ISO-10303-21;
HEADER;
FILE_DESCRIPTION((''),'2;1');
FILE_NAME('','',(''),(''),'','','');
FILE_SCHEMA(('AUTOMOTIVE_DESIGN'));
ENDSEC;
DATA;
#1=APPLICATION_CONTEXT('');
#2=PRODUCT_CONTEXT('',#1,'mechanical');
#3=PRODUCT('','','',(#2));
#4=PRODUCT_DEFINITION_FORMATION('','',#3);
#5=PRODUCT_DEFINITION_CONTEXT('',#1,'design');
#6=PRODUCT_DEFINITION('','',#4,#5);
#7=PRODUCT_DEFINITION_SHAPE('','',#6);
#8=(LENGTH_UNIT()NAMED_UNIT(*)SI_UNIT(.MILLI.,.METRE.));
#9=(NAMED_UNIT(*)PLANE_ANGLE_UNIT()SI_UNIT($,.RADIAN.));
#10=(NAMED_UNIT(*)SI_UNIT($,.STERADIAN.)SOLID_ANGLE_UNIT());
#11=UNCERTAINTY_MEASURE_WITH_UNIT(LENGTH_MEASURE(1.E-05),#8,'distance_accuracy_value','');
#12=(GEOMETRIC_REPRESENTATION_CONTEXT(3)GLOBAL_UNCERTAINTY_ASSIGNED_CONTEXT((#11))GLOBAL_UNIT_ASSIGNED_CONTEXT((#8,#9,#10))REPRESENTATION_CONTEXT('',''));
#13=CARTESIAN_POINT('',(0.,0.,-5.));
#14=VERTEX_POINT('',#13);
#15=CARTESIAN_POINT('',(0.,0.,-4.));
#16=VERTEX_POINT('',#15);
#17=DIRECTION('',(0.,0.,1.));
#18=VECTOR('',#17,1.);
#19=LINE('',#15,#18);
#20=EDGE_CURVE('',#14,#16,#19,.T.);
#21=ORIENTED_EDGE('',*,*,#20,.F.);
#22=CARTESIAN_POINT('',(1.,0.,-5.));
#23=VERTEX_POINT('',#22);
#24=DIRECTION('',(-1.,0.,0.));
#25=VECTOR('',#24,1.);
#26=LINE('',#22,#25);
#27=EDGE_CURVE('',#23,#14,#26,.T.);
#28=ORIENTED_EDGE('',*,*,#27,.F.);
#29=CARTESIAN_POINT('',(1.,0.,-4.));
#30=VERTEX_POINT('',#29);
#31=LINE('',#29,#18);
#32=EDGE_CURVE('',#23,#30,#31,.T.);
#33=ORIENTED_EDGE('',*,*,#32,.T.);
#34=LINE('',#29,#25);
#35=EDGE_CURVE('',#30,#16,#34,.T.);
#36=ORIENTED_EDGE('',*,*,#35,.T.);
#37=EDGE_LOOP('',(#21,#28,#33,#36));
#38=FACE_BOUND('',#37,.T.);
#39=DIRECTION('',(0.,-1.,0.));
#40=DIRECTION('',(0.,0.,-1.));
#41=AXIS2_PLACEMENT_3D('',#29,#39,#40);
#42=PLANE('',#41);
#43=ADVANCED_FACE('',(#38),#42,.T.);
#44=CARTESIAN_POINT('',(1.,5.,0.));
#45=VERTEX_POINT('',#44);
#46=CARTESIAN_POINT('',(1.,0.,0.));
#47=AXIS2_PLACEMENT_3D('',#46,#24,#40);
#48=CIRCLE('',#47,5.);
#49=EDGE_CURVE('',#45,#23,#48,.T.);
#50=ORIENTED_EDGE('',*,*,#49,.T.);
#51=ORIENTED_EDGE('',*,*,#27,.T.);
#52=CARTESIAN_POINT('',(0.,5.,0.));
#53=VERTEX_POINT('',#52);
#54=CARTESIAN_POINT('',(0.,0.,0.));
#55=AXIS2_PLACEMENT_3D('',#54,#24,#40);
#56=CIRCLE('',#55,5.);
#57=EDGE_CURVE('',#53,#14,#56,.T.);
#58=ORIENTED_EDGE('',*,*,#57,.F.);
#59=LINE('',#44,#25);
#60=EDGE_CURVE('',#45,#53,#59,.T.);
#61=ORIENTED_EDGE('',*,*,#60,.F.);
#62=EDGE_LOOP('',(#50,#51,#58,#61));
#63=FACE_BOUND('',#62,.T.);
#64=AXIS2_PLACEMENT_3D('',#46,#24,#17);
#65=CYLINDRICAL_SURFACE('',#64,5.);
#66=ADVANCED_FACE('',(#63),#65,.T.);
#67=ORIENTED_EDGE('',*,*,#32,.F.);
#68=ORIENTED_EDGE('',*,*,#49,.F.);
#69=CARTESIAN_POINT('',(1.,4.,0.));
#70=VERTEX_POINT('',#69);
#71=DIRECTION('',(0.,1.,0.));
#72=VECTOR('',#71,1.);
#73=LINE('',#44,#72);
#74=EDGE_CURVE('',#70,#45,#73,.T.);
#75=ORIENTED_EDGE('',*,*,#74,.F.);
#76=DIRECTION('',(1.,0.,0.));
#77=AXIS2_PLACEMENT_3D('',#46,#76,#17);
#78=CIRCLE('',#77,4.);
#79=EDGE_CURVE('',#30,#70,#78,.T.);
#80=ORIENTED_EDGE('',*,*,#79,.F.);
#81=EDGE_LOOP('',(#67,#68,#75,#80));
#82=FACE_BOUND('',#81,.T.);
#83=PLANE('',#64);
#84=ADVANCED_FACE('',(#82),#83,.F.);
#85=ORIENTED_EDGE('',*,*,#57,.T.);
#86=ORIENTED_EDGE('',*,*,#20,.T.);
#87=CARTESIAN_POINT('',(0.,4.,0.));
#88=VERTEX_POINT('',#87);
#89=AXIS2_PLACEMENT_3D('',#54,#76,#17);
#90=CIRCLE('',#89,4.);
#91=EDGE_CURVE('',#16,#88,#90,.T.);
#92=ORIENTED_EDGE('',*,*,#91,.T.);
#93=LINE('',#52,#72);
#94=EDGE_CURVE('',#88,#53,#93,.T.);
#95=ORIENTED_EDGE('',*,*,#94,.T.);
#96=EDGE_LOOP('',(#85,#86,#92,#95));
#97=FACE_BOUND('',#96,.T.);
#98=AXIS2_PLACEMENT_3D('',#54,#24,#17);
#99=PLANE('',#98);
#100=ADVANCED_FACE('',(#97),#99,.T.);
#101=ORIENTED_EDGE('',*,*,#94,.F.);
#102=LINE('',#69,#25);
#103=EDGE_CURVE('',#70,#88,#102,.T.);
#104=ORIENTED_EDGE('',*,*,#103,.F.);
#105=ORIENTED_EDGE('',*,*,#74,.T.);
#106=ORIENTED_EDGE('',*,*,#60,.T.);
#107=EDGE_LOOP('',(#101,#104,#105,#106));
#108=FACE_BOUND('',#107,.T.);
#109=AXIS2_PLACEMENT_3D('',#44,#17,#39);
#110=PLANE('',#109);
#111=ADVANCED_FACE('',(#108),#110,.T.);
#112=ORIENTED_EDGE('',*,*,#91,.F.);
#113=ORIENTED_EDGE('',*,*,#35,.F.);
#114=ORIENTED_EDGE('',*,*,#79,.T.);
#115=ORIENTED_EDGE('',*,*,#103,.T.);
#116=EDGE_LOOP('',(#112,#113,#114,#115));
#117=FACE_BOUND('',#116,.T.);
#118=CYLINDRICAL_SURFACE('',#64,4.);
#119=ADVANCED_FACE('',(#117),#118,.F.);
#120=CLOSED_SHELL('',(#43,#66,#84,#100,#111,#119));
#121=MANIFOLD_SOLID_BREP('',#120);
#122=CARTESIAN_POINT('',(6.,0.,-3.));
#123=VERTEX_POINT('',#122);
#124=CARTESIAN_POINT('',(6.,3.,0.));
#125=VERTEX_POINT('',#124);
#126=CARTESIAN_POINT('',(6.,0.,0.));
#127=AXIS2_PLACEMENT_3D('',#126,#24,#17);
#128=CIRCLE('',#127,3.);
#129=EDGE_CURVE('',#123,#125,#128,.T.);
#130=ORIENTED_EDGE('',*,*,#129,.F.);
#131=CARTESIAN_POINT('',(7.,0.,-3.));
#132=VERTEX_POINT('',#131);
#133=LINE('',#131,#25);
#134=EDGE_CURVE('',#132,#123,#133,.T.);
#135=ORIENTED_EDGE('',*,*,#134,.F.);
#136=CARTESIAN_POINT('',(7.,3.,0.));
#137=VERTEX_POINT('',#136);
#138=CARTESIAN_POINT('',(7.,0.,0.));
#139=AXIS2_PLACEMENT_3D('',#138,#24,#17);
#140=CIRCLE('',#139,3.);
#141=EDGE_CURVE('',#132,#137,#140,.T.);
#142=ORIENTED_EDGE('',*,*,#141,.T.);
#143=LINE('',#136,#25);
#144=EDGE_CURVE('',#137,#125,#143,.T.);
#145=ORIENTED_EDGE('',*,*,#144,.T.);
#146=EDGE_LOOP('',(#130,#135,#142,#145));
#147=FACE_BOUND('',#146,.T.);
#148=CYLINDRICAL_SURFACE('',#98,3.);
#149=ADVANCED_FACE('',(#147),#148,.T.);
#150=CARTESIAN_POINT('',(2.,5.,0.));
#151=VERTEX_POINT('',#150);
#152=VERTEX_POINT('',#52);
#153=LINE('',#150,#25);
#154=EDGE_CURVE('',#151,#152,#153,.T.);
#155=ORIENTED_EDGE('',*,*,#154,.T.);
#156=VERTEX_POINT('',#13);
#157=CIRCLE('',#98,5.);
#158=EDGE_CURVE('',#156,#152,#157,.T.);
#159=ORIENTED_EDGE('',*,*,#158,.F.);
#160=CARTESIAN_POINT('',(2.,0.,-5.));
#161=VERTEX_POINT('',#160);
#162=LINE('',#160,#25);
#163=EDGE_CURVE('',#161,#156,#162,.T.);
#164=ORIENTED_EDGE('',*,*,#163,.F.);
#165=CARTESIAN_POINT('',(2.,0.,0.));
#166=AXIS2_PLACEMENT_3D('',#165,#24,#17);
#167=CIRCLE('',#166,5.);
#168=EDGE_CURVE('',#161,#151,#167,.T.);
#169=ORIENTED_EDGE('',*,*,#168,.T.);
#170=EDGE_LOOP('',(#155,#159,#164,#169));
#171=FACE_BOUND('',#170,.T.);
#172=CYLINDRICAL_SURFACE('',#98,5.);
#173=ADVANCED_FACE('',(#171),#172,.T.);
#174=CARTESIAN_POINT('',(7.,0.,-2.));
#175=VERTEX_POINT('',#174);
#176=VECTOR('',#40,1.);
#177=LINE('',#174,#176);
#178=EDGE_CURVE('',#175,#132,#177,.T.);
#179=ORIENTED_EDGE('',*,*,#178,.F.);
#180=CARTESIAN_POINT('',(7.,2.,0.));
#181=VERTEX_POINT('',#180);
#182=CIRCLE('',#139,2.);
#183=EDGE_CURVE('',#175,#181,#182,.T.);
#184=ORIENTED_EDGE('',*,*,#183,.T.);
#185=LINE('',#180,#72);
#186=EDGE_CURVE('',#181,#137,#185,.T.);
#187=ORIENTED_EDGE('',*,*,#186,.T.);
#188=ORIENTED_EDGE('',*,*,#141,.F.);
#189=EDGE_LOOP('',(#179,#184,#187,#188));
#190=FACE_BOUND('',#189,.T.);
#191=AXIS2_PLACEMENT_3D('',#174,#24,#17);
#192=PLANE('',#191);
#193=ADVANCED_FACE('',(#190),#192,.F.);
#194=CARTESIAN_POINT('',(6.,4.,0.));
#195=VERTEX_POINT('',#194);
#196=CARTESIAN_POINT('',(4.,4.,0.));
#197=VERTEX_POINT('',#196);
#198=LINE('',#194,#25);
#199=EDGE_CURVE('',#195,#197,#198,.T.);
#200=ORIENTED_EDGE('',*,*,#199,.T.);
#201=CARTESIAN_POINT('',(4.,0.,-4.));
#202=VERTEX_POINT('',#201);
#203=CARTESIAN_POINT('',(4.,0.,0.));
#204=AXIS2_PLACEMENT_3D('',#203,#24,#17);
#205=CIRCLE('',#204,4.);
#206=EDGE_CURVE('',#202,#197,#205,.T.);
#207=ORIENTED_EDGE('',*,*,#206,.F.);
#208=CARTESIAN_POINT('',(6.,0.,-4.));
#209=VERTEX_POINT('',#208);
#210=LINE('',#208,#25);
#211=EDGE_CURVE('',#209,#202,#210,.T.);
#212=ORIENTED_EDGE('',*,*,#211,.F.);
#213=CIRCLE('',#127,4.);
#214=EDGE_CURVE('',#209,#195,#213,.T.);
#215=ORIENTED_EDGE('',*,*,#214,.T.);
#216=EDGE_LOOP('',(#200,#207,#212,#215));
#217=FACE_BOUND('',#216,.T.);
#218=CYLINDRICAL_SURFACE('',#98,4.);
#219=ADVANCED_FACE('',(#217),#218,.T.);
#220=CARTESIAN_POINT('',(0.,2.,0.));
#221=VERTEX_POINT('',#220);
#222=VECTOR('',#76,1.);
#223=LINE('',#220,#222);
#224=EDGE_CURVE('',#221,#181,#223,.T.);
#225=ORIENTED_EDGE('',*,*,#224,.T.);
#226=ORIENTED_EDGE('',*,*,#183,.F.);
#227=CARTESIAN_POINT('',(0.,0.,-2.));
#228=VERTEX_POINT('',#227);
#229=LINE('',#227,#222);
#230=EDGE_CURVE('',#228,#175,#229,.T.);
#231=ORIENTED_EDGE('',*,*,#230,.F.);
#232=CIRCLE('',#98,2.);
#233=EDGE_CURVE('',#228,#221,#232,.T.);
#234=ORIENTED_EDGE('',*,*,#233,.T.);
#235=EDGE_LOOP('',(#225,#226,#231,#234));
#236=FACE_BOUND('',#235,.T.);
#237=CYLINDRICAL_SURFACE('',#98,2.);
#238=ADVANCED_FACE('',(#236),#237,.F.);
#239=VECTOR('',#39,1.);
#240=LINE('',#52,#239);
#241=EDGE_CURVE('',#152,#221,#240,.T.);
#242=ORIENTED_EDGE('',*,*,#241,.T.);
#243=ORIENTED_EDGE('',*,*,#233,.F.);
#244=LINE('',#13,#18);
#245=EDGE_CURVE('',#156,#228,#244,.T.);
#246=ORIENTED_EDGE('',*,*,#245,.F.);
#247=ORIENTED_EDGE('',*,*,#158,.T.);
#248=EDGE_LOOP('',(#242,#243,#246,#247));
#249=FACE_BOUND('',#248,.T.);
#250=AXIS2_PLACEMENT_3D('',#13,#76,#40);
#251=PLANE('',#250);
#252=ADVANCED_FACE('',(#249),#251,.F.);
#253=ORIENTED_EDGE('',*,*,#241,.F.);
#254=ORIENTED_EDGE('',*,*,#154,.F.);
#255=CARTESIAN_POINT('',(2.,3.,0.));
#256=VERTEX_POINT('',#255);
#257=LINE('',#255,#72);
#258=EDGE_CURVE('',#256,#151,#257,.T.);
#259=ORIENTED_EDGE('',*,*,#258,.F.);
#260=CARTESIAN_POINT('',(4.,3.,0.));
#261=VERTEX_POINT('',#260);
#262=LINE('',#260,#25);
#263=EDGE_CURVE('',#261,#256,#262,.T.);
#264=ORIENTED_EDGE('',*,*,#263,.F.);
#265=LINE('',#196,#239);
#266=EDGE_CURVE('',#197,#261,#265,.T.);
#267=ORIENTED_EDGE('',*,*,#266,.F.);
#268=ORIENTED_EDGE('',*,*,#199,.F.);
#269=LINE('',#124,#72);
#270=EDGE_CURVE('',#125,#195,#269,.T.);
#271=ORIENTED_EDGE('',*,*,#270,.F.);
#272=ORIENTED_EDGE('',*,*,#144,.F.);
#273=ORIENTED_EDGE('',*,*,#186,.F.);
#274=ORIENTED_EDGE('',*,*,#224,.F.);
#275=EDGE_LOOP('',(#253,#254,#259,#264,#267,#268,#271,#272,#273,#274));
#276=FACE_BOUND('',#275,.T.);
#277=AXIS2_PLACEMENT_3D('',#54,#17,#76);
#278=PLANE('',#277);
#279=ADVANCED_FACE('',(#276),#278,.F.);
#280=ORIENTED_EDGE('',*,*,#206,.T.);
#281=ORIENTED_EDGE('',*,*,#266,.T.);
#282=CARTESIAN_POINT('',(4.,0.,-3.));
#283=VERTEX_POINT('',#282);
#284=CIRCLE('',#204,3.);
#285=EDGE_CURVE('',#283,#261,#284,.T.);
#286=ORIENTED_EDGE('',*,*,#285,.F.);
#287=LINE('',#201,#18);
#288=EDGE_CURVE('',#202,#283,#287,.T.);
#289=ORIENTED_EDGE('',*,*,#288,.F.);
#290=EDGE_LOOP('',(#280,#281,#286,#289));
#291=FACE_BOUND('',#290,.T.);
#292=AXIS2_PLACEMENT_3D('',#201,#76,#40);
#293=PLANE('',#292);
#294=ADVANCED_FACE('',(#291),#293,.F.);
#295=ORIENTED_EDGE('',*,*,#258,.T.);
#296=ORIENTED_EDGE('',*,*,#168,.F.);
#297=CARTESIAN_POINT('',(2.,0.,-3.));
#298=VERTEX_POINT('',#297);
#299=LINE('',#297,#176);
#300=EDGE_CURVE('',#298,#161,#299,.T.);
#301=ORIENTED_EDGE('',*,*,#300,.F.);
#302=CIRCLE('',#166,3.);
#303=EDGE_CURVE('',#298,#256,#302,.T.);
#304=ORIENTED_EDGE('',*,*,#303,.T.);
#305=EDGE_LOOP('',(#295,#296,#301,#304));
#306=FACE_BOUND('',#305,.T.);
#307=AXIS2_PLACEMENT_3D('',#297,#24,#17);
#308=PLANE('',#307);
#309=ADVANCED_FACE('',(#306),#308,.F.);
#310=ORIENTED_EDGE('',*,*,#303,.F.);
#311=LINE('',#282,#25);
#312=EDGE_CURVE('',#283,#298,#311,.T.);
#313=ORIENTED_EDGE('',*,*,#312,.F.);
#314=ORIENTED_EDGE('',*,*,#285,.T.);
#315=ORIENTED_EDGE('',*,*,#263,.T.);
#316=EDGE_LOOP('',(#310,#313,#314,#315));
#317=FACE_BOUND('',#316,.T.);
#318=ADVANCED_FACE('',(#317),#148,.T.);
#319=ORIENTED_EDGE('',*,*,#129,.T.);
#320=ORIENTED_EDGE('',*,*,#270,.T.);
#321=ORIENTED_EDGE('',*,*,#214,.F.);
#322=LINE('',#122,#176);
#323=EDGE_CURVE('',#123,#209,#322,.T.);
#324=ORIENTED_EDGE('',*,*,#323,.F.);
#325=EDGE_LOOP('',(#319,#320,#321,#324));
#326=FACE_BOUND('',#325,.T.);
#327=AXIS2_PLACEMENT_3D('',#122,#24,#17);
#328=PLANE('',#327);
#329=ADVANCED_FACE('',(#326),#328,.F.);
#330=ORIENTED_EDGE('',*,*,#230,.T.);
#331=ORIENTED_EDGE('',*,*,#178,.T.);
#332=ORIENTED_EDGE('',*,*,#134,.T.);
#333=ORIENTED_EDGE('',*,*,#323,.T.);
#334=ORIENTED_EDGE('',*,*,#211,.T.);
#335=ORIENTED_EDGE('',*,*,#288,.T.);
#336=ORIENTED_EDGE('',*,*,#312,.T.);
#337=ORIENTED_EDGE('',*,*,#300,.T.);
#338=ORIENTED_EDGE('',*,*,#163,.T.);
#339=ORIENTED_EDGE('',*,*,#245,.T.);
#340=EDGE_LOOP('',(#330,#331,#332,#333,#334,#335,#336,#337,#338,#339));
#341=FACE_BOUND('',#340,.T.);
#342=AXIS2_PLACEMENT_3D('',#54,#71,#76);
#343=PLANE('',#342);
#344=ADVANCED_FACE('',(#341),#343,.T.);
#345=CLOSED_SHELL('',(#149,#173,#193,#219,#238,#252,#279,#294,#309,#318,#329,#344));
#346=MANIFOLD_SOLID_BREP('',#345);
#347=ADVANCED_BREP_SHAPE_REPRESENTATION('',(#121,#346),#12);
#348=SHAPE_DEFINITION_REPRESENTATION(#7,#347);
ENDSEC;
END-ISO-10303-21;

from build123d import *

# Parameters (mm, degrees)
REVOLVE1_ANGLE      = 270
BOSS_EXTRUDE1_DEPTH = 1


with BuildPart() as part:
    # Sketch1 → Revolve1 (revolve)
    with BuildSketch(Plane.XY):
        Polygon((0, 5), (0, 2), (7, 2), (7, 3), (6, 3), (6, 4), (4, 4), (4, 3), (2, 3), (2, 5), align=None)
    revolve(axis=Axis((0, 0, 0), (1, 0, 0)), revolution_arc=REVOLVE1_ANGLE)


with BuildPart() as body_2:
    # Sketch2 → Boss-Extrude1 (new body)
    with BuildSketch(Plane.ZY):
        with BuildLine():
            Line((0, 5), (0, 4))
            ThreePointArc((0, 4), (-2.828427125, 2.828427125), (-4, 0))
            Line((-4, 0), (-5, 0))
            ThreePointArc((-5, 0), (-3.535533906, 3.535533906), (0, 5))
        make_face()
    extrude(amount=-BOSS_EXTRUDE1_DEPTH)


solid = Compound([part.part, body_2.part])
